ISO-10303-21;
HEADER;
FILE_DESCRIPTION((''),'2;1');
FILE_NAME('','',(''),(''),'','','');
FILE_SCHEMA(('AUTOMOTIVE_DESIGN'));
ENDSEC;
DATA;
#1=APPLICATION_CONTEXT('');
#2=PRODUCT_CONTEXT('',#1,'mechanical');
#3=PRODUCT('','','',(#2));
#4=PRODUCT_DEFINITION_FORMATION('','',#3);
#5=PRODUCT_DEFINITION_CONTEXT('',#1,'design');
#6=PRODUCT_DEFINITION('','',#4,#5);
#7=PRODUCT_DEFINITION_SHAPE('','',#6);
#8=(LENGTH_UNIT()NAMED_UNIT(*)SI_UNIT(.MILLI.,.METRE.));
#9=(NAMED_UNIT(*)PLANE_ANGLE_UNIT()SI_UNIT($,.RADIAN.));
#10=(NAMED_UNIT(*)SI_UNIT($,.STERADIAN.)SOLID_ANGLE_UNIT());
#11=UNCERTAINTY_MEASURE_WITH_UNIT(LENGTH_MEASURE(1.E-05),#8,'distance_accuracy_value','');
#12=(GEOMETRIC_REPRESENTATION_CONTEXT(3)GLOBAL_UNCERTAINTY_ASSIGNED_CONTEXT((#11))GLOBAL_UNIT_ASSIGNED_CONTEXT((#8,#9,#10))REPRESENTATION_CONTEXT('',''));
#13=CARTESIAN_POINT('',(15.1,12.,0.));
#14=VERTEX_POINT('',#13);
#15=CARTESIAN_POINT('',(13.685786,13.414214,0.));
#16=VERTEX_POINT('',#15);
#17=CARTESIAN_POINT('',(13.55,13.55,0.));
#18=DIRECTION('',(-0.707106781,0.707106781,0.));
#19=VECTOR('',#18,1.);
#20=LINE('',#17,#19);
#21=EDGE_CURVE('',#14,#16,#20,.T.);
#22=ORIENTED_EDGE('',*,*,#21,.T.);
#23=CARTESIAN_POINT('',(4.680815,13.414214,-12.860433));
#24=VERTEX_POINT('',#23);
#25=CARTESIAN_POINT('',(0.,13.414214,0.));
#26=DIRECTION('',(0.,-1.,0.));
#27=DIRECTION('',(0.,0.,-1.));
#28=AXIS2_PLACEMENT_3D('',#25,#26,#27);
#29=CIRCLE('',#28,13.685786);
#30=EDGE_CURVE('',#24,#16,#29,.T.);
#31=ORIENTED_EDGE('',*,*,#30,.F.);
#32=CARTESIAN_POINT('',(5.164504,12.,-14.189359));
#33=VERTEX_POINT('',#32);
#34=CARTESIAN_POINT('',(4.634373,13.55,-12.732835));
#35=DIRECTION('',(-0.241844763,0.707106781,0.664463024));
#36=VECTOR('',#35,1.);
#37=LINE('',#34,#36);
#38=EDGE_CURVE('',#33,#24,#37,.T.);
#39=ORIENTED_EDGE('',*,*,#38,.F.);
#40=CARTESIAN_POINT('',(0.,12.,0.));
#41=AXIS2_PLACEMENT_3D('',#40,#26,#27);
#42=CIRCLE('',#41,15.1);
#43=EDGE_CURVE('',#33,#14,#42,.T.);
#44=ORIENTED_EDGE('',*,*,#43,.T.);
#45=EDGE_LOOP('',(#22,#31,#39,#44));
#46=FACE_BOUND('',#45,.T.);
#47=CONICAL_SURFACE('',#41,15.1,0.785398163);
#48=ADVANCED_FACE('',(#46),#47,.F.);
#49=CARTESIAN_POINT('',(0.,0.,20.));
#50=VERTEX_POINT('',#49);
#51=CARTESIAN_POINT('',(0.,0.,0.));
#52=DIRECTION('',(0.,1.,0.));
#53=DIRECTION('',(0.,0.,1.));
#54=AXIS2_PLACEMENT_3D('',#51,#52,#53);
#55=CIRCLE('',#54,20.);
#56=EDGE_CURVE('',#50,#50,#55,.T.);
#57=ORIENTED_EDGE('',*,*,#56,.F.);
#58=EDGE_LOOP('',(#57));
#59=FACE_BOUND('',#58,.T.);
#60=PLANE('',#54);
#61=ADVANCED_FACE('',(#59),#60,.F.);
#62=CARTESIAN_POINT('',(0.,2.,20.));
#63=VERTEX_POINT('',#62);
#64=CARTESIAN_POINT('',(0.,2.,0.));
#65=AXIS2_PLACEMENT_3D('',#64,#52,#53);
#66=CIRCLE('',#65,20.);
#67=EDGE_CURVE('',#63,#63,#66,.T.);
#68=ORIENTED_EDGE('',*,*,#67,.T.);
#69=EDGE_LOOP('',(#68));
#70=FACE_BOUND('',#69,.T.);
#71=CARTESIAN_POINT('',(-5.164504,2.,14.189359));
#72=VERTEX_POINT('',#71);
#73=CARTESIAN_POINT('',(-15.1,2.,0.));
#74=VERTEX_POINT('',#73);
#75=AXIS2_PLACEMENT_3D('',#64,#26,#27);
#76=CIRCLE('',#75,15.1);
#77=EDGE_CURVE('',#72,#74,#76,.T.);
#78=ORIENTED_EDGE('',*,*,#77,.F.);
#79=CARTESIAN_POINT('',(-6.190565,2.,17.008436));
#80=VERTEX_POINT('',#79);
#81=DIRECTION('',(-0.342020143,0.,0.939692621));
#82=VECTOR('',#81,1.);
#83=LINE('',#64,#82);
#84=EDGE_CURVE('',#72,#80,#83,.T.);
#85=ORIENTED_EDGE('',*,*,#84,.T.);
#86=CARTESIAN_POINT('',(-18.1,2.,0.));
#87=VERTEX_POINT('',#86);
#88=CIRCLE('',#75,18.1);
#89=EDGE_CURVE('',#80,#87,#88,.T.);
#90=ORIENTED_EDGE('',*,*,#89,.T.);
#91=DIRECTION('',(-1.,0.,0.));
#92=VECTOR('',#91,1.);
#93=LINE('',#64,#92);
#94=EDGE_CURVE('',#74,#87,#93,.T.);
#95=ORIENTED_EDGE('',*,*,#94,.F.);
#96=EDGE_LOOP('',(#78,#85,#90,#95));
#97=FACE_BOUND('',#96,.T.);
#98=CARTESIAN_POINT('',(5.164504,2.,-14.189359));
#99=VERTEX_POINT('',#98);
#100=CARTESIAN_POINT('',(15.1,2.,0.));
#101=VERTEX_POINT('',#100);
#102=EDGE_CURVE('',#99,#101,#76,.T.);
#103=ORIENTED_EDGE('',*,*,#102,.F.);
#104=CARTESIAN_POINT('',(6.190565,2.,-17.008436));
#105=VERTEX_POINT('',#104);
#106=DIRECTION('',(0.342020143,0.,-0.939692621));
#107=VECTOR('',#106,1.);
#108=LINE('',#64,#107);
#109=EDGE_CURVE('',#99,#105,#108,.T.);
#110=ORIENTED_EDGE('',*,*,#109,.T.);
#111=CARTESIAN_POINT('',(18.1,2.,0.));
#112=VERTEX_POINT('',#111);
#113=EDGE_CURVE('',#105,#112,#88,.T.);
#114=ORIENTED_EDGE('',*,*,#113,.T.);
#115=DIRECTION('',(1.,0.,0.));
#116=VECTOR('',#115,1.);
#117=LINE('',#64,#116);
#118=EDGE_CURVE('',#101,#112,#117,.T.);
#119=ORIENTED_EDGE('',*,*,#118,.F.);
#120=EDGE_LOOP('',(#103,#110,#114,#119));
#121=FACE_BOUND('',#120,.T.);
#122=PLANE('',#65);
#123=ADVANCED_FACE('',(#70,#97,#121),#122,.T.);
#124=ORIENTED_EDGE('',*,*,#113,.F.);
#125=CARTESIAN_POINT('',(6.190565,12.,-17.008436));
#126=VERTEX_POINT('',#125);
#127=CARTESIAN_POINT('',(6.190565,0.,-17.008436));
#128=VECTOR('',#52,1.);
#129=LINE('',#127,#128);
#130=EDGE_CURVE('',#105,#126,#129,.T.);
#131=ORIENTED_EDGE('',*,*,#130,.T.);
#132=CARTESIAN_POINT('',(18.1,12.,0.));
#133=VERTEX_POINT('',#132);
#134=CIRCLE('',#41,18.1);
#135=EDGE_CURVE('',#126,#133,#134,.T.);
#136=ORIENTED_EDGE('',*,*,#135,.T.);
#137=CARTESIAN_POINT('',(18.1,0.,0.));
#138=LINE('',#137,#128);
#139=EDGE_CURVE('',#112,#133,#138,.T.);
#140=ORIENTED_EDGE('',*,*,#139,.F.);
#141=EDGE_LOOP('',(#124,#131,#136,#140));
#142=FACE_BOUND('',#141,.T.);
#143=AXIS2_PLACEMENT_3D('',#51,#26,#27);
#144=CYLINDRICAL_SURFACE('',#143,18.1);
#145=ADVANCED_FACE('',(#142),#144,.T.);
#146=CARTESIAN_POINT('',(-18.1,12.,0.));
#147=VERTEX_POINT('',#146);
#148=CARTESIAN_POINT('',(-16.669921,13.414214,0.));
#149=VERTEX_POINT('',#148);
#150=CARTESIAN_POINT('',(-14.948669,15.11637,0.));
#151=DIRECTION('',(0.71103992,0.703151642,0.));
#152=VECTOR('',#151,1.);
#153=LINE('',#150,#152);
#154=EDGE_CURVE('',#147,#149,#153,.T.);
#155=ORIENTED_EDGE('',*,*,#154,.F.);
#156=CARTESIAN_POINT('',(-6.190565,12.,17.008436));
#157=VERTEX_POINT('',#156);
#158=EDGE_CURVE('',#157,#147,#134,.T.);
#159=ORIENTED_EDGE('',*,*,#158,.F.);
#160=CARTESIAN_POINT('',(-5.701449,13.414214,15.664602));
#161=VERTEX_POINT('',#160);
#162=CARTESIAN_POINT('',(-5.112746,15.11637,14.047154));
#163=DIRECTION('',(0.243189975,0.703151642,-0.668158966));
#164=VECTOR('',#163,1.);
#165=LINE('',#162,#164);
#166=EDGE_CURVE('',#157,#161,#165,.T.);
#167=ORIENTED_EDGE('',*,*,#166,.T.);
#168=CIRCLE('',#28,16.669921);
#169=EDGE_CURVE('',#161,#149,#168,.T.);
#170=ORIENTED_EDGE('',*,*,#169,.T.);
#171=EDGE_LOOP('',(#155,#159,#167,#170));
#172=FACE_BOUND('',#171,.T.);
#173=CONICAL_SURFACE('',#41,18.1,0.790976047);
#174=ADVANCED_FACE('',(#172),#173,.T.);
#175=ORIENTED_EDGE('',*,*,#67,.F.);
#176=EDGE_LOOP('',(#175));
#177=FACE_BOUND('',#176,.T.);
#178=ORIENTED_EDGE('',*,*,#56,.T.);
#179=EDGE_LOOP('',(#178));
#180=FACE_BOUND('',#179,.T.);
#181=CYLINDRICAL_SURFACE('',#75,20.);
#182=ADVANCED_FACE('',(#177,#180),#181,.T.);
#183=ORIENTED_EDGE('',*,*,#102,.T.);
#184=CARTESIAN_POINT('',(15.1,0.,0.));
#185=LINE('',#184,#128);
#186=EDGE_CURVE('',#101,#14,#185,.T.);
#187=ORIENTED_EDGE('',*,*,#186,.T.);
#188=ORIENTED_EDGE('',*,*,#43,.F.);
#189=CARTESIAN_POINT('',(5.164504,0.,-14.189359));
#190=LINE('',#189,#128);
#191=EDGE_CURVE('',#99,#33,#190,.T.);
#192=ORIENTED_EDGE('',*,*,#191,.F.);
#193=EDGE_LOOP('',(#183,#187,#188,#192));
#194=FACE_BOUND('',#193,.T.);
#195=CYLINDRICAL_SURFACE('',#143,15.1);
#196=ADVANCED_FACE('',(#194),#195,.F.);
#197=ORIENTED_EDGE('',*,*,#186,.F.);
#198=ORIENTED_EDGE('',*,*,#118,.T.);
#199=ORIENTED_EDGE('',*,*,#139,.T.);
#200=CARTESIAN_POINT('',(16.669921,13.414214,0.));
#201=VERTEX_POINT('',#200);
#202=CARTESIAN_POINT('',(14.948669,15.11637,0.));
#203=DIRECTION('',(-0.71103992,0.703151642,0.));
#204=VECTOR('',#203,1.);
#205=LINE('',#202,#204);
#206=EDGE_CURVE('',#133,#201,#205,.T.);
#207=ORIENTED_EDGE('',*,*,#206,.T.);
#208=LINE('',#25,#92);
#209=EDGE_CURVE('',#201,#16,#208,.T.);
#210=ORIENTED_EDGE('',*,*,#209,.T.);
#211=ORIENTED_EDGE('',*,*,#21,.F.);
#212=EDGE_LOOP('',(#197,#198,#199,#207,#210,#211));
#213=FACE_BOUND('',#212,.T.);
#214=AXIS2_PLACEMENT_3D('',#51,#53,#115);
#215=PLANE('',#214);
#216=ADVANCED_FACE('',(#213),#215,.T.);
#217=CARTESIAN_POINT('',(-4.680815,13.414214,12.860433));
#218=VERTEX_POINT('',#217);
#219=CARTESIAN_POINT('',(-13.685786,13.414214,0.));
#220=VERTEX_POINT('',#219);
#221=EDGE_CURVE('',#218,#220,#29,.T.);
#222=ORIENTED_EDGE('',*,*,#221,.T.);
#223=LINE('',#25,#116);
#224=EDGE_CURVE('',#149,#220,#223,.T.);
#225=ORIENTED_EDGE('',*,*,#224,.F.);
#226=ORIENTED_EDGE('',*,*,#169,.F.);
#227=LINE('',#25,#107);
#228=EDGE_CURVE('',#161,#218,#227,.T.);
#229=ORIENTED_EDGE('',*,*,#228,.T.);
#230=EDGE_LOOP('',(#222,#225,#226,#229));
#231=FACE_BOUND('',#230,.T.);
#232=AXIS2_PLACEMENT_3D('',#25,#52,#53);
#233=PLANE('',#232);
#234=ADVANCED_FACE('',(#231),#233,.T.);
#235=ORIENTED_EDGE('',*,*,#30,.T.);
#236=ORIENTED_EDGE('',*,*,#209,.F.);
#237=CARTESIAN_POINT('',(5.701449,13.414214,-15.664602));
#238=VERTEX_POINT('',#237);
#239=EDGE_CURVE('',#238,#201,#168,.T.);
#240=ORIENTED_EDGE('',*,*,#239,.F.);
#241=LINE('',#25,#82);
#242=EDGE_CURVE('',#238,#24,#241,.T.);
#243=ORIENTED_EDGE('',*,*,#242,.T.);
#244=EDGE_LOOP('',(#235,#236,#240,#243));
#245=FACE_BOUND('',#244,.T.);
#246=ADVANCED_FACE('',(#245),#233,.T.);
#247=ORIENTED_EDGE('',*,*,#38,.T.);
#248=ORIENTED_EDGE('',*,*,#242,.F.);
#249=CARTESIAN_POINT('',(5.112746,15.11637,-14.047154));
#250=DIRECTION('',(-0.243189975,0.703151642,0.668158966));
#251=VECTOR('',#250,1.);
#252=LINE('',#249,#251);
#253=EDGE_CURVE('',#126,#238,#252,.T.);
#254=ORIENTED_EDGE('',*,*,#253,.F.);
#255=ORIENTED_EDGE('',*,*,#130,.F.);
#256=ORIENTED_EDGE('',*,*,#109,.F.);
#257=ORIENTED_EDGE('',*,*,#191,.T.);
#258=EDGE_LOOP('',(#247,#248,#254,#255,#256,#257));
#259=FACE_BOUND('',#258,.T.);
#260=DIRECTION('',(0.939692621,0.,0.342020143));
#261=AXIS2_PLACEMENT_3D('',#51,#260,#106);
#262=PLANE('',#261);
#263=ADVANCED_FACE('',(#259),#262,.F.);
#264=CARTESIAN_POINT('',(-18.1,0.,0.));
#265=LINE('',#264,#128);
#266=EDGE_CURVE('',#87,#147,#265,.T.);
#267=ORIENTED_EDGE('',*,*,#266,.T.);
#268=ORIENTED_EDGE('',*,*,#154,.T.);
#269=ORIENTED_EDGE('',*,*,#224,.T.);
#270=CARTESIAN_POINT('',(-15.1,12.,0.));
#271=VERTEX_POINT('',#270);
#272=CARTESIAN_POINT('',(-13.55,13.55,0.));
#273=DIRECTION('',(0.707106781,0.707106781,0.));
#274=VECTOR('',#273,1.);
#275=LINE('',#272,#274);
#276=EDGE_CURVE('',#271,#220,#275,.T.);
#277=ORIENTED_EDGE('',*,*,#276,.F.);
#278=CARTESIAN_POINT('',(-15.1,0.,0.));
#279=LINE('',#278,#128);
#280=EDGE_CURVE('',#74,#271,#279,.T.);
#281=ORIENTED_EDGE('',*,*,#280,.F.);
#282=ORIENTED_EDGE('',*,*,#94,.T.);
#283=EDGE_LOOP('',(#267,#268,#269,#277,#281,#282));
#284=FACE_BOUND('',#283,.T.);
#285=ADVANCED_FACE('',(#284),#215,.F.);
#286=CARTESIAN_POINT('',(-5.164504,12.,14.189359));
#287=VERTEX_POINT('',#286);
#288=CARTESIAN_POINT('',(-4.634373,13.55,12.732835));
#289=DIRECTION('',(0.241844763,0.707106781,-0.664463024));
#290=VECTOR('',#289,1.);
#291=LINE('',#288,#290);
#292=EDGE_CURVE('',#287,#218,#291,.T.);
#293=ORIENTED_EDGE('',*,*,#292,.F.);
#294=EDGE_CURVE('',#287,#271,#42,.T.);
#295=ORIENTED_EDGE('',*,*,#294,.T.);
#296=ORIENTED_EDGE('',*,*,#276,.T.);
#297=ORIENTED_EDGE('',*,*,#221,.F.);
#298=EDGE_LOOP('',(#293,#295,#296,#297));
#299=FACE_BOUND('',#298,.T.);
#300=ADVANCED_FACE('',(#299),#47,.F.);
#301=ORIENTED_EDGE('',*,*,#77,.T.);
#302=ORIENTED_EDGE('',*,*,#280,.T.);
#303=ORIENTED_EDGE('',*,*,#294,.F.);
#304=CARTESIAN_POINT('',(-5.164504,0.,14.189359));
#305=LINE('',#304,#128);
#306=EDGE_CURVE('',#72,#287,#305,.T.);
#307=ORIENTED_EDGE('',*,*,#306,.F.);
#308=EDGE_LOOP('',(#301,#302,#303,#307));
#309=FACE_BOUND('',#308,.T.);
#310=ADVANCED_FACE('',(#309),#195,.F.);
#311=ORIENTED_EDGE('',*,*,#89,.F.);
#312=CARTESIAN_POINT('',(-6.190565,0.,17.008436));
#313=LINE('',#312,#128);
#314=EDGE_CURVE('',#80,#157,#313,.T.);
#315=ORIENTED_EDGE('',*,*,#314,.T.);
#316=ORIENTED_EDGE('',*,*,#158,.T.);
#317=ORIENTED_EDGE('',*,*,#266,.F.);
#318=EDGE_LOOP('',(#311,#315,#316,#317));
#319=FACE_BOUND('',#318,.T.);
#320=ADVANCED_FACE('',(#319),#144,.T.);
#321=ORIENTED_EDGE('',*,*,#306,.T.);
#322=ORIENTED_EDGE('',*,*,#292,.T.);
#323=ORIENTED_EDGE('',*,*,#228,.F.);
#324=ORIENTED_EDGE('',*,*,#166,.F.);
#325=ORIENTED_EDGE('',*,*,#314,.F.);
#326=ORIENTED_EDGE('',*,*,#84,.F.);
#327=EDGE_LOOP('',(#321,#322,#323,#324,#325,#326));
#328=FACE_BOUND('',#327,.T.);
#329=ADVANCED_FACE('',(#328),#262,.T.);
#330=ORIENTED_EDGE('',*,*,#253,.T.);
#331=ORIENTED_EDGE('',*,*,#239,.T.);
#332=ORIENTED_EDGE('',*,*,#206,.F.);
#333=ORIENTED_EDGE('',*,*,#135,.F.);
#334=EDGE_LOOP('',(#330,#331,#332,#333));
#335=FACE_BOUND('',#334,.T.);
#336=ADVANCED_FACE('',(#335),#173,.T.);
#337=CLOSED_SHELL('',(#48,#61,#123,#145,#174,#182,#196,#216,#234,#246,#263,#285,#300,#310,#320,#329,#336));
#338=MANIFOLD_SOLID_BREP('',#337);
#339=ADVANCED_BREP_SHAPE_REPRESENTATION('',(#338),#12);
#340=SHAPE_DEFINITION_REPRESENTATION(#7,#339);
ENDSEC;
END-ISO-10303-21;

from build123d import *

# Parameters (mm, degrees)
SKETCH1_R           = 20
BOSS_EXTRUDE1_DEPTH = 2
REVOLVE1_ANGLE      = 70


with BuildPart() as part:
    # Sketch1 → Boss-Extrude1 (new body)
    with BuildSketch(Plane(origin=(0, 0, 0), x_dir=(1, 0, 0), z_dir=(0, 1, 0))):
        with Locations(Location((0, 0, 0), (0, 0, 270))):
            Circle(SKETCH1_R)
    extrude(amount=BOSS_EXTRUDE1_DEPTH)

    # Sketch2 → Revolve1 (revolve)
    with BuildSketch(Plane.XY):
        Polygon((18.1, 12), (16.669921141, 13.414213562), (13.685786438, 13.414213562), (15.1, 12), (15.1, 2), (18.1, 2), align=None)
        Polygon((-15.1, 2), (-15.1, 12), (-13.685786438, 13.414213562), (-16.669921141, 13.414213562), (-18.1, 12), (-18.1, 2), align=None)
    revolve(axis=Axis((0, 0, 0), (0, 1, 0)), revolution_arc=REVOLVE1_ANGLE)


solid = part.part
